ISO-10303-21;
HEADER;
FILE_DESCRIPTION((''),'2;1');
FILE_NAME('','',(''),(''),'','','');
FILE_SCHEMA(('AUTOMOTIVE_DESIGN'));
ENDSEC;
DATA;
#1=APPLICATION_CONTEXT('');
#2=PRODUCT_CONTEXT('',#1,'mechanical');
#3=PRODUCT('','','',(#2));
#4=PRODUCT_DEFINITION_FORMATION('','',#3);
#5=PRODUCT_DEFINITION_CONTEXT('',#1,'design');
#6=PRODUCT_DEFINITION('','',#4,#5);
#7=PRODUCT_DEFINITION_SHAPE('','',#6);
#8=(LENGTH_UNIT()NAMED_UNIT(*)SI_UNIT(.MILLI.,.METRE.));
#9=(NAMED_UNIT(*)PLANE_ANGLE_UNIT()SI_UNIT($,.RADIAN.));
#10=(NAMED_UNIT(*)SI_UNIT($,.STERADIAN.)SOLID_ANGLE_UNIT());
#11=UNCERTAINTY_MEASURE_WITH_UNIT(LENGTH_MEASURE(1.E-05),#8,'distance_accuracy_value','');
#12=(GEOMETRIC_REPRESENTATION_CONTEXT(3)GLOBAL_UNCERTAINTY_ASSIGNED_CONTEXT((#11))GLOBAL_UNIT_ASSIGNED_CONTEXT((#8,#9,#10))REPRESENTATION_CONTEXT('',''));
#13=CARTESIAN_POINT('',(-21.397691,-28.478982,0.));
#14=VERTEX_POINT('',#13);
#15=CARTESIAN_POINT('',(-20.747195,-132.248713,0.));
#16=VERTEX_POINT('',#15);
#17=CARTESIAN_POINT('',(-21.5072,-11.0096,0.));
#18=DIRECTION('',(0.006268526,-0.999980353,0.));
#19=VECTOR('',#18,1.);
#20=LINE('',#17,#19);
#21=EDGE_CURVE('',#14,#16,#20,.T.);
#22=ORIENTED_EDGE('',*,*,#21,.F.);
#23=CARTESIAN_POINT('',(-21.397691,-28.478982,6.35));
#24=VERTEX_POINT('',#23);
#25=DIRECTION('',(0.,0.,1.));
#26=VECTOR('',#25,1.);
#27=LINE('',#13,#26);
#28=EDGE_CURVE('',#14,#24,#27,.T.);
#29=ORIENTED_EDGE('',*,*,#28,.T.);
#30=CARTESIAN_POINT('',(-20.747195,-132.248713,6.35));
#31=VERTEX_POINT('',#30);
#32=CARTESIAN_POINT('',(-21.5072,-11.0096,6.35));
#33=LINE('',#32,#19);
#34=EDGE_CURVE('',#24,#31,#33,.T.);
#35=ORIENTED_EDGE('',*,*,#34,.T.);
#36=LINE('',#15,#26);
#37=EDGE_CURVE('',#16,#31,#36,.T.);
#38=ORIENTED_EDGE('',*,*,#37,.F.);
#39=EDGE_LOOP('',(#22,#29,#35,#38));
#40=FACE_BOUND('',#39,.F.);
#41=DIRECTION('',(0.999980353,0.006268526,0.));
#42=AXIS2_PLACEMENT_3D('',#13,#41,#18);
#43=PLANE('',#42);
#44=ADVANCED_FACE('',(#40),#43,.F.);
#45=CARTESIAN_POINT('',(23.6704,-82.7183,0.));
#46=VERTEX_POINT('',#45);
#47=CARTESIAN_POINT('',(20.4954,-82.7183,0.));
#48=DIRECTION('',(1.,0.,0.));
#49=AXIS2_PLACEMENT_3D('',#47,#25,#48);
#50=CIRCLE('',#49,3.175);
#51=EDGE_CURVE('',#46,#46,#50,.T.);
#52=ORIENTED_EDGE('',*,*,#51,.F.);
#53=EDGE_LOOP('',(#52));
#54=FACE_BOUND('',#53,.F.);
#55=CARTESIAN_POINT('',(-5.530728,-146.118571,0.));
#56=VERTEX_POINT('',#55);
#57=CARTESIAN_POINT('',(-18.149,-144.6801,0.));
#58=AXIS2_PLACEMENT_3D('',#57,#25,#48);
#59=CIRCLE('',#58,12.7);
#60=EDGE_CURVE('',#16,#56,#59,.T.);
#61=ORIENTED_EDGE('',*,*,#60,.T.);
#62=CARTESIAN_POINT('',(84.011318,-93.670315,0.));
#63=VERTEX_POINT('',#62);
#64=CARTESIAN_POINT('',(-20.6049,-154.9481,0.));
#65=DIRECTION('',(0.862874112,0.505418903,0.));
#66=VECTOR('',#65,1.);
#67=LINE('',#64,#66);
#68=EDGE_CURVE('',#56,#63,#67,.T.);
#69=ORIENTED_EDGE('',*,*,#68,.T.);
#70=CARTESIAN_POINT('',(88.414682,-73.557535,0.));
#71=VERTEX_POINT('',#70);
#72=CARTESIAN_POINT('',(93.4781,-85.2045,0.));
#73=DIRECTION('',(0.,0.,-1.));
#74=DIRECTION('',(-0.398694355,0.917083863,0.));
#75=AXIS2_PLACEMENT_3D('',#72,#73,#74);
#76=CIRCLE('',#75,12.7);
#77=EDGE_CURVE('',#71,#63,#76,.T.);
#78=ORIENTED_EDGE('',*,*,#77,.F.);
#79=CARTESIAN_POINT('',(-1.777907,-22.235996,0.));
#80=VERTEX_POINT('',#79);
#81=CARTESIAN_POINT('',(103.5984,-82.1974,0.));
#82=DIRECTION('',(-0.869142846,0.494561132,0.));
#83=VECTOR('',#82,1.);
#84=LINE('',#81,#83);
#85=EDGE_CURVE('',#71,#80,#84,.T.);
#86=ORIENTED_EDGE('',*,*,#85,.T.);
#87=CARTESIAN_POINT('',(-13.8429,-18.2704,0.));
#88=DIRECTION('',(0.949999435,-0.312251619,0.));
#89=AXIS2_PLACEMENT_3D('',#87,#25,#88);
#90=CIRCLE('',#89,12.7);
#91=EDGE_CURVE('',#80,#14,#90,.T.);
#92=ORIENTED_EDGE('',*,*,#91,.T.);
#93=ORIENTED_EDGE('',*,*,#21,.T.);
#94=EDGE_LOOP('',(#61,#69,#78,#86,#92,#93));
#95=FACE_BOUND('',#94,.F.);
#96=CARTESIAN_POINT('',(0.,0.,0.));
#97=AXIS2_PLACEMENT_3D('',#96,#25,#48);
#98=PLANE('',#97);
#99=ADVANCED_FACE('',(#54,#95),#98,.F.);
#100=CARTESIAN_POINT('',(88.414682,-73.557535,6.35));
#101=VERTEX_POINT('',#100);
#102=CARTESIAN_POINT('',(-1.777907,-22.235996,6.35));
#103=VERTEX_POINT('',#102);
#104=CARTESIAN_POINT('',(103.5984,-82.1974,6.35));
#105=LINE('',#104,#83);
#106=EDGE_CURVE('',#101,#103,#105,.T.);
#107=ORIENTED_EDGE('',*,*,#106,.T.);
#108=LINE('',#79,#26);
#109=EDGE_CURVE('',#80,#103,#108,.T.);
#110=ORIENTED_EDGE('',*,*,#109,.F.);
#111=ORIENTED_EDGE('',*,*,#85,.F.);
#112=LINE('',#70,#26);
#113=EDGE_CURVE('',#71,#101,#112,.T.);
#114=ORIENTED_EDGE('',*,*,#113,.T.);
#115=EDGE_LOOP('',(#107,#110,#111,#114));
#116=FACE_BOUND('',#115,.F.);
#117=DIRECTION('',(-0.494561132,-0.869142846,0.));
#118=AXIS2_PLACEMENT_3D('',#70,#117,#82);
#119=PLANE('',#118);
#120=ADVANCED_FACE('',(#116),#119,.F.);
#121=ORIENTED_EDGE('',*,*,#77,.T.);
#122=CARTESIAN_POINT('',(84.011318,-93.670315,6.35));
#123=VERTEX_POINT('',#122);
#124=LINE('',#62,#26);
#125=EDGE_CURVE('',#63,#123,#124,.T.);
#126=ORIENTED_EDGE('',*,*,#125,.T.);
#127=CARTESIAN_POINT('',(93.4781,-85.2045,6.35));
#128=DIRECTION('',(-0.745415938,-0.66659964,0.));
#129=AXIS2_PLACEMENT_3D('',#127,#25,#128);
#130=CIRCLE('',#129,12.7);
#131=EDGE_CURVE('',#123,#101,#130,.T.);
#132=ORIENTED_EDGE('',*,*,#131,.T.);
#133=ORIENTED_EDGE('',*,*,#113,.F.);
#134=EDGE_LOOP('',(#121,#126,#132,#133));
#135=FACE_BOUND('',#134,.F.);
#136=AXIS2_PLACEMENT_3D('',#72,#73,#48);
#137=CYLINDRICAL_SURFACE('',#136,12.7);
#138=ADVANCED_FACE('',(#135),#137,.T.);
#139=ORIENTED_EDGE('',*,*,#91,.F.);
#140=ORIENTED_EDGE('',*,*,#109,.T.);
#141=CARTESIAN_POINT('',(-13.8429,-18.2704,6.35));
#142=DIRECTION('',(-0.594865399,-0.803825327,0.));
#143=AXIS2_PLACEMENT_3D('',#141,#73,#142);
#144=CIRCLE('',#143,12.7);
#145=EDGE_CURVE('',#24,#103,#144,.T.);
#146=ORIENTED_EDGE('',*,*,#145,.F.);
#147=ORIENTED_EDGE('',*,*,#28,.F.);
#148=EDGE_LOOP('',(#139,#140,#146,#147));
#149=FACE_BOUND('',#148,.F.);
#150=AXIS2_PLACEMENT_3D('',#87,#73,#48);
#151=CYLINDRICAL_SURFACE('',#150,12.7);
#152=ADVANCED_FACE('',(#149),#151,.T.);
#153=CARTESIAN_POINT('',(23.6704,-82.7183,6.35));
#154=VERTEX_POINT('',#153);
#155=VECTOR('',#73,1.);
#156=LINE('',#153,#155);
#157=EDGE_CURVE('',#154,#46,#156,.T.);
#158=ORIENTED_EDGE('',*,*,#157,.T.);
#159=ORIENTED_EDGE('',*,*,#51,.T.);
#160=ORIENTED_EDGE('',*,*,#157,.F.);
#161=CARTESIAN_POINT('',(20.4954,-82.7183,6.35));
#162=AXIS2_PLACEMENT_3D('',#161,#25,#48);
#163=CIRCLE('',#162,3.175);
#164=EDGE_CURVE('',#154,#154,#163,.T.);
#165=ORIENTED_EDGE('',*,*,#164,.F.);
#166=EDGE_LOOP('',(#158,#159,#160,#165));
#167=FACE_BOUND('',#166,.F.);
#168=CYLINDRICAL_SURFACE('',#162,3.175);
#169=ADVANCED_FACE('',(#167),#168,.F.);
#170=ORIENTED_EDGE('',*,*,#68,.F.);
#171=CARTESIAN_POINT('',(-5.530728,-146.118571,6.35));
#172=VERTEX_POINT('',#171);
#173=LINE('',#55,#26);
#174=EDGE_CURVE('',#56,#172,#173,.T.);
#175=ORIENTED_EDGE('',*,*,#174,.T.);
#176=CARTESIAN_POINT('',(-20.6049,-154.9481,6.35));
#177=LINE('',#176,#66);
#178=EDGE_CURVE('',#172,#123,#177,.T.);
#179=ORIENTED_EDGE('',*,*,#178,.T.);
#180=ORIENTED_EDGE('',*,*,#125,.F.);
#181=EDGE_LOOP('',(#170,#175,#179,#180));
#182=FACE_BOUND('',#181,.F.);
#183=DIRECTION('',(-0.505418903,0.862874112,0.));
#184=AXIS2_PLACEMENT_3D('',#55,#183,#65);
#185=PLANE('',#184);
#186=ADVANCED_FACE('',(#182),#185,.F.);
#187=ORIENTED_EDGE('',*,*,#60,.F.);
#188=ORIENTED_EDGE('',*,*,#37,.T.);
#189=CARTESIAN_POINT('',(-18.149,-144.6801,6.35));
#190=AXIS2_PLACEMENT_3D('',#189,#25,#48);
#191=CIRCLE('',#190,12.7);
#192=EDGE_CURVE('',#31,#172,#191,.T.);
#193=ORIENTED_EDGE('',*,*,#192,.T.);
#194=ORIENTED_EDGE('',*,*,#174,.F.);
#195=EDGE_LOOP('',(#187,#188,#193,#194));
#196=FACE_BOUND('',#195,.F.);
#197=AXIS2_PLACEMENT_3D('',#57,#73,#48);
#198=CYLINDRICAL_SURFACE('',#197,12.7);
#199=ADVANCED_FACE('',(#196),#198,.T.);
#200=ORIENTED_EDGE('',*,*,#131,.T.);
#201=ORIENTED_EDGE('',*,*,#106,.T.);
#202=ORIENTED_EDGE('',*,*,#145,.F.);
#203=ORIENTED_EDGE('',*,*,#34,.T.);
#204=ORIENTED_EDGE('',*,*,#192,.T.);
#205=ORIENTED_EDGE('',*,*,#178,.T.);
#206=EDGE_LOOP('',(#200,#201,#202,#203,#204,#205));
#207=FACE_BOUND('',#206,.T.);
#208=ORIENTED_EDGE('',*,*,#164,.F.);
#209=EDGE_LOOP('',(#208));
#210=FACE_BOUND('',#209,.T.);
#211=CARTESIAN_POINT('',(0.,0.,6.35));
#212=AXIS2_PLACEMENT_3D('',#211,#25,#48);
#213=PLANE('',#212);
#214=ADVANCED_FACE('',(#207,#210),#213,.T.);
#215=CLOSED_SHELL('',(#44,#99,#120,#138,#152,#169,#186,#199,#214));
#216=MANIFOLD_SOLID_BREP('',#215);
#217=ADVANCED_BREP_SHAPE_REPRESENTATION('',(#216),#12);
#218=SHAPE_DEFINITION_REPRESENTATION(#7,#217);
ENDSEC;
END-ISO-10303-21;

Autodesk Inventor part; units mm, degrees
ref_plane "YZ Plane" through (0, 0, 0) normal (1, 0, 0) x (0, 1, 0)
ref_plane "XZ Plane" through (0, 0, 0) normal (0, 1, 0) x (-1, 0, 0)
ref_plane "XY Plane" through (0, 0, 0) normal (0, 0, 1) x (1, 0, 0)
sketch "Sketch1" plane through (0, 0, 0) normal (0, 0, 1) x (1, 0, 0)
  circle A0 centre (-13.8429, -18.2704) radius 12.7 projected
  circle A1 centre (93.4781, -85.2045) radius 12.7 projected
  circle A2 centre (-18.149, -144.6801) radius 12.7 projected
  line L0 (103.5984, -82.1974) -> (-21.5072, -11.0096)
  line L1 (-21.5072, -11.0096) -> (-20.6049, -154.9481)
  line L2 (-20.6049, -154.9481) -> (103.5984, -82.1974)
  point P0 (0, 0)
  point P1 (-21.3977, -28.479)
  point P2 (-1.7779, -22.236)
  point P3 (88.4146, -73.5575)
  point P4 (84.0113, -93.6703)
  point P5 (-20.7472, -132.2488)
  point P6 (-5.5307, -146.1185)
extrude "Extrusion1" add sketch "Sketch1" along normal blind 6.35
sketch "Sketch2" plane through (0, 0, 6.35) normal (0, 0, 1) x (1, 0, 0)
  line L0 (-5.5307, -146.1185) -> (84.0113, -93.6703) projected
  line L1 (88.4146, -73.5575) -> (-1.7779, -22.236) projected
  line L2 (-21.3977, -28.479) -> (-20.7472, -132.2488) projected
  line L3 (43.3184, -47.8967) -> (11.3485, -104.0805) construction
  line L4 (39.2403, -119.8944) -> (11.3485, -72.2762) construction
  line L5 (-21.0724, -80.3639) -> (51.2351, -79.9106) construction
  line L6 (20.479, -80.1034) -> (20.5282, -87.9482) construction
  line L7 (15.9498, -80.1318) -> (22.7682, -84.0116) construction
  line L8 (25.0082, -80.075) -> (18.239, -84.04) construction
  circle A0 centre (20.4954, -82.7183) radius 3.175
  point P0 (0, 0)
  dimension "d2" = 6.35
extrude "Extrusion2" cut sketch "Sketch2" against normal through all
properties part number "motorPlate" material "Aluminum 6061"
